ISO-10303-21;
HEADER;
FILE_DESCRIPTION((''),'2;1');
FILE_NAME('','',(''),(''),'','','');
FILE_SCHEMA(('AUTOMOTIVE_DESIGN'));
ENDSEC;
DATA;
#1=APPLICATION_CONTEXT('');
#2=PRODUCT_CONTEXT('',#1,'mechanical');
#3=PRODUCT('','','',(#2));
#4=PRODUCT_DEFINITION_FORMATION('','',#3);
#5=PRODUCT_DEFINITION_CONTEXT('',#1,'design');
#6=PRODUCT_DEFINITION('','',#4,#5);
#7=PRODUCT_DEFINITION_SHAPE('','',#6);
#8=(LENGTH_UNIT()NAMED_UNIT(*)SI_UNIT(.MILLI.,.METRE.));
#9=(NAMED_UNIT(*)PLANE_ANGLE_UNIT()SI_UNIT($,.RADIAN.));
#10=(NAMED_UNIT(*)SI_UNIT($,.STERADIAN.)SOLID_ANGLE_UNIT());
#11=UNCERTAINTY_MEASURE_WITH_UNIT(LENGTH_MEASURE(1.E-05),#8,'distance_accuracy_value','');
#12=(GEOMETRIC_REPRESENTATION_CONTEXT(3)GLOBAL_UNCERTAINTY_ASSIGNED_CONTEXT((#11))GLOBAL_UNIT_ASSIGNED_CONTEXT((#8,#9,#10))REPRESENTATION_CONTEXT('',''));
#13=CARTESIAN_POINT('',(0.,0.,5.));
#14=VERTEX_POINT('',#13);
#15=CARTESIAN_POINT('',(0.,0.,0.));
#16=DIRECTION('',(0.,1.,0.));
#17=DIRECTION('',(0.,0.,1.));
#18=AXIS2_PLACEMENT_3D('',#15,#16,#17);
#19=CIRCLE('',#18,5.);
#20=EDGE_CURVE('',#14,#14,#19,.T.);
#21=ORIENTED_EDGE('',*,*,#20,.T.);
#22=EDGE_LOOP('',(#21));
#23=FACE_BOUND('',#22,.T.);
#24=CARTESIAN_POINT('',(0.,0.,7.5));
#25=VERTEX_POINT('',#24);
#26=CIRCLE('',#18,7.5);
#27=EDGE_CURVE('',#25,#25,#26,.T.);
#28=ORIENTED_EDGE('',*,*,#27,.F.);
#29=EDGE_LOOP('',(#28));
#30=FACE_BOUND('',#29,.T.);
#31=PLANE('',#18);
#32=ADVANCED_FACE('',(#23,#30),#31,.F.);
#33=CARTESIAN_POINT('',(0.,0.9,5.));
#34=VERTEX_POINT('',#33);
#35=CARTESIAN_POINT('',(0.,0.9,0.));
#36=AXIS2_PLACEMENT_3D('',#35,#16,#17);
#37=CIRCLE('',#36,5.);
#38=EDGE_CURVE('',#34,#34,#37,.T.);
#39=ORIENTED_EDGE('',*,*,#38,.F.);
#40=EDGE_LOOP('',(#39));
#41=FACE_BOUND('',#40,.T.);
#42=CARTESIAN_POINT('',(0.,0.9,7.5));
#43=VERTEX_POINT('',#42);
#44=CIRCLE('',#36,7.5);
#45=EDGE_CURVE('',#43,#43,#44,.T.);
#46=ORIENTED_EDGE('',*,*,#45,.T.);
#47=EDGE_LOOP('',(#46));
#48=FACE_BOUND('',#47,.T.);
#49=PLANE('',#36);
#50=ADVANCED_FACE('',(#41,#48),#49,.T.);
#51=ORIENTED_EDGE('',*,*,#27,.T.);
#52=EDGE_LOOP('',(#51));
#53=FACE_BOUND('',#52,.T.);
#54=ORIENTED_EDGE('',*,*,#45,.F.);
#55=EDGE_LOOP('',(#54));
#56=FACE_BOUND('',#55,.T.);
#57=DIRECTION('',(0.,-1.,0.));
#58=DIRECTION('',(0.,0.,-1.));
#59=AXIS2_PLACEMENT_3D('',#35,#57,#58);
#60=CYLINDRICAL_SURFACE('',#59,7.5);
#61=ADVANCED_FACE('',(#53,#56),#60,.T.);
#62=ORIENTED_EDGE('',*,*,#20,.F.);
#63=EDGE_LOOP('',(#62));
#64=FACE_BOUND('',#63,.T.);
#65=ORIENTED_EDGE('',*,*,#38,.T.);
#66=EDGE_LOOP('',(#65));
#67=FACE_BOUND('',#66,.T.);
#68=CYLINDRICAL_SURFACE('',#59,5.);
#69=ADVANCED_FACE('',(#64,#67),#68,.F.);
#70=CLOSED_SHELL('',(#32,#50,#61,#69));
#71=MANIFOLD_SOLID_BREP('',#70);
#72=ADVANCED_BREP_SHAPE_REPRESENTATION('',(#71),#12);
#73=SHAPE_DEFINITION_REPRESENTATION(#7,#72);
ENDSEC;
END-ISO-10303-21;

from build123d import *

# Parameters (mm, degrees)
IZIM1_R                     = 7.5
IZIM1_R_2                   = 5
Y_KSEKLIK_EKSTR_ZYON1_DEPTH = 0.9


with BuildPart() as part:
    # Çizim1 → Yükseklik-Ekstrüzyon1 (new body)
    with BuildSketch(Plane(origin=(0, 0, 0), x_dir=(1, 0, 0), z_dir=(0, 1, 0))):
        Circle(IZIM1_R)
        Circle(IZIM1_R_2, mode=Mode.SUBTRACT)
    extrude(amount=Y_KSEKLIK_EKSTR_ZYON1_DEPTH)


solid = part.part
